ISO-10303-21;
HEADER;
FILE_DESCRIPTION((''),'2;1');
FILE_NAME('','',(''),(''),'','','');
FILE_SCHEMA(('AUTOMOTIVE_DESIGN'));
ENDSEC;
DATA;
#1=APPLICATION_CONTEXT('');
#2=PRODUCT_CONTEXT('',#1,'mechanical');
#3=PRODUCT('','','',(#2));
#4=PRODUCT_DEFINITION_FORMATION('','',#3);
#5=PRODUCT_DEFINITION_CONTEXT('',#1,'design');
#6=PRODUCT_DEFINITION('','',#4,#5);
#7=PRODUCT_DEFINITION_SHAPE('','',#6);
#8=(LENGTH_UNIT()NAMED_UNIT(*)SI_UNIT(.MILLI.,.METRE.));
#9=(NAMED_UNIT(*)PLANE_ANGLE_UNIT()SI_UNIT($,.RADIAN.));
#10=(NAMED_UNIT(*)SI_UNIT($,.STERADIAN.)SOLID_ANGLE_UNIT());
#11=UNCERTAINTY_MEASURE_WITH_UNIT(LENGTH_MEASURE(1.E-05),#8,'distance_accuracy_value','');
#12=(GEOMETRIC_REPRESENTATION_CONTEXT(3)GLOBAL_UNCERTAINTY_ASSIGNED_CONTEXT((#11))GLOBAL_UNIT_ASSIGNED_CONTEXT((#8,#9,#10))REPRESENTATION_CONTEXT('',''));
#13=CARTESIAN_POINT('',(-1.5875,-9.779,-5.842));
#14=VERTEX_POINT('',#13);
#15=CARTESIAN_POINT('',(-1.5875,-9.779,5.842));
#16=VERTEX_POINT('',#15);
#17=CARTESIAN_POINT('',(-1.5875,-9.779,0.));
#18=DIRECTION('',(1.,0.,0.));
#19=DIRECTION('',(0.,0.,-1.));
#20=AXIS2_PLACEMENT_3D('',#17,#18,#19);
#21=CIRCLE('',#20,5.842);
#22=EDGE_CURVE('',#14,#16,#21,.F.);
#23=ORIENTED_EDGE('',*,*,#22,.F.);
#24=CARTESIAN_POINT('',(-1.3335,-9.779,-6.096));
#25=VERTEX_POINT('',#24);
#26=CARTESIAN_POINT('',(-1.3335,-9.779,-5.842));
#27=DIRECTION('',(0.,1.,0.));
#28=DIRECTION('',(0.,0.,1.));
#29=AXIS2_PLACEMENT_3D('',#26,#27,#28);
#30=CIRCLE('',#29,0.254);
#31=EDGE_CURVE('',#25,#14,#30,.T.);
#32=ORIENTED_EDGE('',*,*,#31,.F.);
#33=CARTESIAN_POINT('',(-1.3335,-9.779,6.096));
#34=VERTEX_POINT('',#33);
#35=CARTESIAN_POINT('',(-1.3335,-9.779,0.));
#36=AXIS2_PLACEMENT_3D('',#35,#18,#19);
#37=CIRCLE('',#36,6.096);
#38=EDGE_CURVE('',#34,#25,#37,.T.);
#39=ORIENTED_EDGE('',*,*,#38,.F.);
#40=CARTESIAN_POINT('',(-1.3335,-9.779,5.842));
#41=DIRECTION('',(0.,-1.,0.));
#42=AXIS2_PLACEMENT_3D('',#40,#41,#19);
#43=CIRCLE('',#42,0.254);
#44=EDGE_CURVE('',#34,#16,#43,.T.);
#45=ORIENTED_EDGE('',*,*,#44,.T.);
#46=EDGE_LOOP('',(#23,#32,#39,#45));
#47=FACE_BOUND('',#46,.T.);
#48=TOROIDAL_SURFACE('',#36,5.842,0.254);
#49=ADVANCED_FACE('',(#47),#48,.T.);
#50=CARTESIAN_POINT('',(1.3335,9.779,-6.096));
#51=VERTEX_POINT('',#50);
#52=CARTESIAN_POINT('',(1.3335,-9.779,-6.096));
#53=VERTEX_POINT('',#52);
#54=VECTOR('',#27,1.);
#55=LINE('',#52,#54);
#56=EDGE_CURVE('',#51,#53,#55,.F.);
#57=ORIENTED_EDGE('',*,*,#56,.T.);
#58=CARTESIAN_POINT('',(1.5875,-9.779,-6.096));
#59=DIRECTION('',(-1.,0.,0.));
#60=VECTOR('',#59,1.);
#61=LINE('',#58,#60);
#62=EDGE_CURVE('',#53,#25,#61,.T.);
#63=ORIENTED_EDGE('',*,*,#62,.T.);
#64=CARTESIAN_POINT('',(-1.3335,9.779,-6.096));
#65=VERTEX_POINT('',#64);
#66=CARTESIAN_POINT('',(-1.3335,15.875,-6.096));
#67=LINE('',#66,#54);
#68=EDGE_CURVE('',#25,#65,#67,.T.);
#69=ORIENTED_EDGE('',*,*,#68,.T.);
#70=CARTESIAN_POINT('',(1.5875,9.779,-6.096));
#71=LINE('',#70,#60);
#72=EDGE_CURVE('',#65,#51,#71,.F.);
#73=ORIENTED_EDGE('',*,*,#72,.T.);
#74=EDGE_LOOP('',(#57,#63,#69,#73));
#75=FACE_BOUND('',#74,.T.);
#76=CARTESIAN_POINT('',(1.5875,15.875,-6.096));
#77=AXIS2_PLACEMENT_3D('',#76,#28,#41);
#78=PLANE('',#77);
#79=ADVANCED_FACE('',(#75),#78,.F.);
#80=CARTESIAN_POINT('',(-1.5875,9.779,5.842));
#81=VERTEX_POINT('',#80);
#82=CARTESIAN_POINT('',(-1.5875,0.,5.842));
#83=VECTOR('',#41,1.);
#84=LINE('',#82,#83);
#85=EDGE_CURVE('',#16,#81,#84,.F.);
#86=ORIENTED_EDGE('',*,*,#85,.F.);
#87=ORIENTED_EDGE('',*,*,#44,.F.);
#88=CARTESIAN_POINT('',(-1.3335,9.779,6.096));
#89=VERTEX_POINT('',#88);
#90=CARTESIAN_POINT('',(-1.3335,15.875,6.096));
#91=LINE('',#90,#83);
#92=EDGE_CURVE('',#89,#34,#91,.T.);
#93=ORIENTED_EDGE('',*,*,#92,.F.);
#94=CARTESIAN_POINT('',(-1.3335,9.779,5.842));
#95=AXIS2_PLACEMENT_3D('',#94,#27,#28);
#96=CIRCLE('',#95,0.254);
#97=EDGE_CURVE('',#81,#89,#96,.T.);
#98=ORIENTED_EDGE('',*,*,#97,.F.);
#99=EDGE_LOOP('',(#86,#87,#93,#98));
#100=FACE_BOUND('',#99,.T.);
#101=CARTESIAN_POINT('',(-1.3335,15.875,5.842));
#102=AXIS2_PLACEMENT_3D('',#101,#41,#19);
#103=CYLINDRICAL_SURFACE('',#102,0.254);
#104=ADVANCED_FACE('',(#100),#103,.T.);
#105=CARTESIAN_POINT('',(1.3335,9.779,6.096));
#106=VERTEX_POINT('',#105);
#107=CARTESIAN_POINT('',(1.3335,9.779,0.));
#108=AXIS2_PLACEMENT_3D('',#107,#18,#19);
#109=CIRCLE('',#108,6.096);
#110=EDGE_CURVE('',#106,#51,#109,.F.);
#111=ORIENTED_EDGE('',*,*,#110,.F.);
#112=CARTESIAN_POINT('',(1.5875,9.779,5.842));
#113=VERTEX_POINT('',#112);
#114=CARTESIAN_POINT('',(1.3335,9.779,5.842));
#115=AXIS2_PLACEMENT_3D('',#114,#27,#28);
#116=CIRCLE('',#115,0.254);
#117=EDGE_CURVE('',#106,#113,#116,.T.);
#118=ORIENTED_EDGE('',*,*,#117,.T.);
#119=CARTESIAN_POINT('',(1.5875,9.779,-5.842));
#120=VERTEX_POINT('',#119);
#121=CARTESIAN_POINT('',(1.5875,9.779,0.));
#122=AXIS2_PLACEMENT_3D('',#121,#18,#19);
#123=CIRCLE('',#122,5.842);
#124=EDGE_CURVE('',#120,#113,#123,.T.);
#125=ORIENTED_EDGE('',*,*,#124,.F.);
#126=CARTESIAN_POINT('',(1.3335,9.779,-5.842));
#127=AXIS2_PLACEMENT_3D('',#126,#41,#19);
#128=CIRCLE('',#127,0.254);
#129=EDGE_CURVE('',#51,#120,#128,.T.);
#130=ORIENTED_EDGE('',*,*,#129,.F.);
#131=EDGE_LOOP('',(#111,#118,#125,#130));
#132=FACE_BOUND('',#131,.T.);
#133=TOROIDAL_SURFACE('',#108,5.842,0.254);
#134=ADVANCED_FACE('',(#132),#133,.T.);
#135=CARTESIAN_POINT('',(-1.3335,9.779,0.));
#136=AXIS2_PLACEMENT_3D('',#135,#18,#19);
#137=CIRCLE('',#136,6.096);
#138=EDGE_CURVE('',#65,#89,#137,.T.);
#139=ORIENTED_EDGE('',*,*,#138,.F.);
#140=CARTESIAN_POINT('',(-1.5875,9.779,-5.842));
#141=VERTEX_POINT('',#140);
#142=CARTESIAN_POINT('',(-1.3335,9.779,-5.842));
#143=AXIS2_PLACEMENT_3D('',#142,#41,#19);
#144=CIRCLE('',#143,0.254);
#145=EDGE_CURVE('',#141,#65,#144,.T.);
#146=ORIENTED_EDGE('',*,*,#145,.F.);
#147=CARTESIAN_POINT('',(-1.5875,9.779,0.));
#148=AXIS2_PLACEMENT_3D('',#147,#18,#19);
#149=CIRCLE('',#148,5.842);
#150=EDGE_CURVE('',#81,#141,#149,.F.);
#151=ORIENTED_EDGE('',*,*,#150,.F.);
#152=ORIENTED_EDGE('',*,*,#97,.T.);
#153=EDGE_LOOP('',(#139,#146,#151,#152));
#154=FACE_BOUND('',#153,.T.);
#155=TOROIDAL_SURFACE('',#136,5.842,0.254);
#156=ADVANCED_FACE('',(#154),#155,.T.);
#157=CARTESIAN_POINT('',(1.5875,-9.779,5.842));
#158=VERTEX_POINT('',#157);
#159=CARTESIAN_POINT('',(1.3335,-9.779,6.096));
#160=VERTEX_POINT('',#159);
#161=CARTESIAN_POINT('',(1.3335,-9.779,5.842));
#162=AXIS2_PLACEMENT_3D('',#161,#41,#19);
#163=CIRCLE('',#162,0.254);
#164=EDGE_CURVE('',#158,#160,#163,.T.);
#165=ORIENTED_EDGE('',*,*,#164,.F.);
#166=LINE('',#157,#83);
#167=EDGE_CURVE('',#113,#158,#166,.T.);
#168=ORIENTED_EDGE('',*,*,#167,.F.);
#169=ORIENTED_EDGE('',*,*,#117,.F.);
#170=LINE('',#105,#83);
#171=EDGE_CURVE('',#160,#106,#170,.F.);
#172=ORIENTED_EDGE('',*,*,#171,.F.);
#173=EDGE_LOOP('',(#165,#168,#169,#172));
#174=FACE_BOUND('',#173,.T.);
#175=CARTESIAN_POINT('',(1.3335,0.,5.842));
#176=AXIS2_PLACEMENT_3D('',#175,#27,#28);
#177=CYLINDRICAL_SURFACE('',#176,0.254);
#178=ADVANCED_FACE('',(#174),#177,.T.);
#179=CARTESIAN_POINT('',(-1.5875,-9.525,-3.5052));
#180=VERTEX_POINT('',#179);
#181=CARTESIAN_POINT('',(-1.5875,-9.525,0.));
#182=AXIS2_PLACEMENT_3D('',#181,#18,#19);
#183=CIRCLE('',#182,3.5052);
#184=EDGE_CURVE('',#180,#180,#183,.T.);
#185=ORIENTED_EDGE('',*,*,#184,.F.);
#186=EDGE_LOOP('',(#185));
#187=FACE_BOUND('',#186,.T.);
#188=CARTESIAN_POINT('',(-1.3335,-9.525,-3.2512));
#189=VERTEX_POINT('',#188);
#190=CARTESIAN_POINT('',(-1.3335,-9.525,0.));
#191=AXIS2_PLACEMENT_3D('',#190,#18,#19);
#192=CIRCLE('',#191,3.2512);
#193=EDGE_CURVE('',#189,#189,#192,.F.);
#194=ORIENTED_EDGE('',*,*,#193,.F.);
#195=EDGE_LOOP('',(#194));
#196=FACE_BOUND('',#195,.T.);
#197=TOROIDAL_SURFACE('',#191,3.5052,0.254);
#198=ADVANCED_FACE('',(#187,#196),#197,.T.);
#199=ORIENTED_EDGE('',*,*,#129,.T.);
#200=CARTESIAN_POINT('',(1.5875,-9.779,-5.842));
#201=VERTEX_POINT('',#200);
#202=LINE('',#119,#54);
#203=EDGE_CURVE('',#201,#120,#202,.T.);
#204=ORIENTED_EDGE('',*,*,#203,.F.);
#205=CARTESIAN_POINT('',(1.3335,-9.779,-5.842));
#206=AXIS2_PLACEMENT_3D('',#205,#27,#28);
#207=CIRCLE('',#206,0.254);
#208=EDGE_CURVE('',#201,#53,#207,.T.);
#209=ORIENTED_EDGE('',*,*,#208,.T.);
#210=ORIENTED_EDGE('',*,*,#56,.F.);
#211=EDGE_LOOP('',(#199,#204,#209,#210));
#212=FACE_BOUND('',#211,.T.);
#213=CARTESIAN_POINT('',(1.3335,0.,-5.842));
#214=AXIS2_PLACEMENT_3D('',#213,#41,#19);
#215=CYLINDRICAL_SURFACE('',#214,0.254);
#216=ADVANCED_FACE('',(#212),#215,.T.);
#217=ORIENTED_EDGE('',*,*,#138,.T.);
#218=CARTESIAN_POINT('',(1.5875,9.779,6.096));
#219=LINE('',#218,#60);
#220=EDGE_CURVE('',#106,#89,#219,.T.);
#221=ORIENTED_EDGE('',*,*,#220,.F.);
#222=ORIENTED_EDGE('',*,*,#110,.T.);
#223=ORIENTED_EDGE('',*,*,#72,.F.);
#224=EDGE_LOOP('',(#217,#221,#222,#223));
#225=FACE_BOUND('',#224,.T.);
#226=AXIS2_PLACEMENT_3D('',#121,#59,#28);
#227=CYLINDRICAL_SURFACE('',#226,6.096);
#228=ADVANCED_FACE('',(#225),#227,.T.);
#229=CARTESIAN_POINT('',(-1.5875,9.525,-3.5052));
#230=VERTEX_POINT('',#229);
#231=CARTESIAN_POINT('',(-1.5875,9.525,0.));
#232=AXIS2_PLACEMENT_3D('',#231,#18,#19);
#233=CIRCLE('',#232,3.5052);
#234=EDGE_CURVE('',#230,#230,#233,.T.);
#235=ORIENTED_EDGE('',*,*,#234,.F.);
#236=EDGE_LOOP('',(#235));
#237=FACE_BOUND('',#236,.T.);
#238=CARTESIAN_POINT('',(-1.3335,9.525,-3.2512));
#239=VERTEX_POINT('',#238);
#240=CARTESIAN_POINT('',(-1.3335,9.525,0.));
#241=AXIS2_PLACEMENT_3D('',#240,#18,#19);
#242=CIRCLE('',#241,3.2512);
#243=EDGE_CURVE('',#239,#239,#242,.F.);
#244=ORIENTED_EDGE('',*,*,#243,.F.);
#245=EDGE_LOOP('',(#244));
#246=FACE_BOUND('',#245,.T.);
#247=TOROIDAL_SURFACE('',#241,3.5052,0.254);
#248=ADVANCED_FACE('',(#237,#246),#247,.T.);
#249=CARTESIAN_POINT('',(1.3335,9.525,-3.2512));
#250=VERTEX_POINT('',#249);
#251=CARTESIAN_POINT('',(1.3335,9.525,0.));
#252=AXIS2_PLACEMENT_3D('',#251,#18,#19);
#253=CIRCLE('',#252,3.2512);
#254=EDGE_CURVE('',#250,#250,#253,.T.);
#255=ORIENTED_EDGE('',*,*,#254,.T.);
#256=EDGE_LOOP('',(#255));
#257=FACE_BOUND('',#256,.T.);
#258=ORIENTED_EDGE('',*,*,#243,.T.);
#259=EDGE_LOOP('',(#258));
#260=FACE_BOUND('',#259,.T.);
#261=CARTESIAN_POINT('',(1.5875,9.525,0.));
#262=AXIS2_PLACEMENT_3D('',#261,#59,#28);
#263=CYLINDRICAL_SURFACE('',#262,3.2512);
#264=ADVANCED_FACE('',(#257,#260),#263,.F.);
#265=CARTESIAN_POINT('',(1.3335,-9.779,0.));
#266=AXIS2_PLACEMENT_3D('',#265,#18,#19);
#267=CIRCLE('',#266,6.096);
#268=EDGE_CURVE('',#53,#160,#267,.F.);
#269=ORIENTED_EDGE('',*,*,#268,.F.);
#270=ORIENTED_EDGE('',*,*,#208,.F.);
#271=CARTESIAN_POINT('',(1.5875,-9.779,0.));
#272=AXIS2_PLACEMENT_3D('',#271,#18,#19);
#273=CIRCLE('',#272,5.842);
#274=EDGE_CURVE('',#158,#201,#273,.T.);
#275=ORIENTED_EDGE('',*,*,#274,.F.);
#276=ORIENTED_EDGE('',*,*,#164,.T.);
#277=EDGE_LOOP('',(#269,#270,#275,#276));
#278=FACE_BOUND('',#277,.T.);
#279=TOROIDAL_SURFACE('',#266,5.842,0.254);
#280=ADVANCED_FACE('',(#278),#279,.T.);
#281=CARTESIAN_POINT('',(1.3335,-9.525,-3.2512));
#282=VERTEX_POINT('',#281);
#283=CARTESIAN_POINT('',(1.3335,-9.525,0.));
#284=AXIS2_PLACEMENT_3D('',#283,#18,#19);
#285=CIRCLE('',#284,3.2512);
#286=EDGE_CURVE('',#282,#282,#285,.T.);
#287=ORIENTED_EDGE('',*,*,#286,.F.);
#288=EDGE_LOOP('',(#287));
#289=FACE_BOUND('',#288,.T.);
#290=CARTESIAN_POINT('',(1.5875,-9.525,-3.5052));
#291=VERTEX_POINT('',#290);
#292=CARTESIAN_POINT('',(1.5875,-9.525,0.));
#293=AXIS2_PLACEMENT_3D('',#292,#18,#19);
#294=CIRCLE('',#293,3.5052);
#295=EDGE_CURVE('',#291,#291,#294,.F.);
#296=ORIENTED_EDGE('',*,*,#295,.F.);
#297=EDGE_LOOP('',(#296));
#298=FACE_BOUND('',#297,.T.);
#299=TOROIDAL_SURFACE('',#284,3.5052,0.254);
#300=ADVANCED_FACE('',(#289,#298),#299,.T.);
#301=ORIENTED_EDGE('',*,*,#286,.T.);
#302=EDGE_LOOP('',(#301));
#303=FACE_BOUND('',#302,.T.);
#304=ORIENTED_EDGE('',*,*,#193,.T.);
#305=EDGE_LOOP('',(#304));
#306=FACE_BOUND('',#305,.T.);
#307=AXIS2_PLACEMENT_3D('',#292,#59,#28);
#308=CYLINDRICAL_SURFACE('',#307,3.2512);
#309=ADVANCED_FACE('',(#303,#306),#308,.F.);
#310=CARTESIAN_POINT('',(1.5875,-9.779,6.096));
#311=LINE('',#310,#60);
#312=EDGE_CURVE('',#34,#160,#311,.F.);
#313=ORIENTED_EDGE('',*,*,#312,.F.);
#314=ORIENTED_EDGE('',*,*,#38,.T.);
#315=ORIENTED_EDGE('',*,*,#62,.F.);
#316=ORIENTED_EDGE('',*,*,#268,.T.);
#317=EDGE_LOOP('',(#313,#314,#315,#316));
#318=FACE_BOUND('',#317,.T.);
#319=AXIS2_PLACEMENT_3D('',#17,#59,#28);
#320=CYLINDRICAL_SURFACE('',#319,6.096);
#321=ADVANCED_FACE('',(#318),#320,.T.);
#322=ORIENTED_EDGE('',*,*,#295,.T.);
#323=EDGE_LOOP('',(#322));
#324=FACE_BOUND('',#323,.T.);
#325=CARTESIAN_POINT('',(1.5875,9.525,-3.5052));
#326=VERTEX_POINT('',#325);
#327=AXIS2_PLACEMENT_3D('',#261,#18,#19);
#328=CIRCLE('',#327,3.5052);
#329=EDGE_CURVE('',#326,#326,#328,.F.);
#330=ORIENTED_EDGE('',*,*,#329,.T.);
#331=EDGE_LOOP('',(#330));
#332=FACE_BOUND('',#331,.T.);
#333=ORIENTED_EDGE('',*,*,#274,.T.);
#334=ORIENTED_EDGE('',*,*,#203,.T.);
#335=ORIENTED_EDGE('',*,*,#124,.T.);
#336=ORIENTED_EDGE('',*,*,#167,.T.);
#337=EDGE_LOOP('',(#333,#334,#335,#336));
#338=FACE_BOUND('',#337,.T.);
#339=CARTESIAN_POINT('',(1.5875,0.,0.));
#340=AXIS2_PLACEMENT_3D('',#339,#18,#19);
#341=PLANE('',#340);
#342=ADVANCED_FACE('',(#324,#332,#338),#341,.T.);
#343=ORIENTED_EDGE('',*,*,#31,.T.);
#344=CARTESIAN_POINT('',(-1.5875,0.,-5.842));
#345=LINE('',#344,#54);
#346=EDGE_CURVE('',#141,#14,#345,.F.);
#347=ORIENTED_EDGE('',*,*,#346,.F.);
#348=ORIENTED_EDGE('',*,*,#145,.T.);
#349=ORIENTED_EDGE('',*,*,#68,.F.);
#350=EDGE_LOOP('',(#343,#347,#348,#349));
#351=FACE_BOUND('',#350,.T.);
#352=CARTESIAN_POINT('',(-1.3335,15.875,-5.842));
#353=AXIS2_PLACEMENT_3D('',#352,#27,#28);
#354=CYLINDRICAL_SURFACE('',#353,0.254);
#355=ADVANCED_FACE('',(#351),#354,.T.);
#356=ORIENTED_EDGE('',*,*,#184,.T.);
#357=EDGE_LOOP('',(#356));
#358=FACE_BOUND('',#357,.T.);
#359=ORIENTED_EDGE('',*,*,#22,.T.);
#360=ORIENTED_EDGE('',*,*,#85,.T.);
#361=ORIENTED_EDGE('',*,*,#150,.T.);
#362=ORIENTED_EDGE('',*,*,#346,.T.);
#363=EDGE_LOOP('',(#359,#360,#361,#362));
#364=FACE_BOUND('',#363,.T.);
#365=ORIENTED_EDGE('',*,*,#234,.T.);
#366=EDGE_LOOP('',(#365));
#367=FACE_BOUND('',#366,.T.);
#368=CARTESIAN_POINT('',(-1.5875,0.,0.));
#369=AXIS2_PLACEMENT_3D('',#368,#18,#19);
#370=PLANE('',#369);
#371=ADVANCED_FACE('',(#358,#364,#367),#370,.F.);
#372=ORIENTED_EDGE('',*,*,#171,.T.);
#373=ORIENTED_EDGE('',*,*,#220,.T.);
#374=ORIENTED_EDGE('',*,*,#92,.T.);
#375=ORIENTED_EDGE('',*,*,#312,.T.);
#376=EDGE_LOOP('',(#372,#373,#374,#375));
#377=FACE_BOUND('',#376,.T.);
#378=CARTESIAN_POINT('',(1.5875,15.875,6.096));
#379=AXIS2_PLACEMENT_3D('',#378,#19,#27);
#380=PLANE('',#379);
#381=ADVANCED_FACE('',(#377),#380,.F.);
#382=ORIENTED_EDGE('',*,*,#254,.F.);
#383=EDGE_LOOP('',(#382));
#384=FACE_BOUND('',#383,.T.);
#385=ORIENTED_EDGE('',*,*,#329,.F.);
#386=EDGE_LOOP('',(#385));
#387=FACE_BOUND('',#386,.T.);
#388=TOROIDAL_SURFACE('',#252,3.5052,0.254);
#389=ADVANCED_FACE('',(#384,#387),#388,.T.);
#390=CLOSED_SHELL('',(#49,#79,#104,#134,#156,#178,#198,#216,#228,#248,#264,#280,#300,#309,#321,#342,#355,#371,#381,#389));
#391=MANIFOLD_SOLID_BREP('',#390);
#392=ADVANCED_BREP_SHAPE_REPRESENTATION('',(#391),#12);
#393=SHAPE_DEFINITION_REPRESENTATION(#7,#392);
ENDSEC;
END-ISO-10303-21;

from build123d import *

# Parameters (mm, degrees)
SKETCH1_W           = 12.192
SKETCH1_H           = 31.75
SKETCH1_R           = 3.2512
BOSS_EXTRUDE1_DEPTH = 1.5875
FILLET1_RADIUS      = 6.096
FILLET1_LENGTH      = 3.175
FILLET2_RADIUS      = 6.096
FILLET2_LENGTH      = 3.175
FILLET3_R           = 0.254


with BuildPart() as part:
    # Sketch1 → Boss-Extrude1 (new, symmetric)
    with BuildSketch(Plane(origin=(0, 0, 0), x_dir=(0, 0, -1), z_dir=(1, 0, 0))):
        Rectangle(SKETCH1_W, SKETCH1_H)
        with Locations((0, 9.525)):
            Circle(SKETCH1_R, mode=Mode.SUBTRACT)
        with Locations((0, -9.525)):
            Circle(SKETCH1_R, mode=Mode.SUBTRACT)
    extrude(amount=BOSS_EXTRUDE1_DEPTH, both=True)

    # Fillet1: full round fillet: the end face becomes a half cylinder, R = half its width
    fillet1_face = Plane((0, 15.875, 0), x_dir=(1, 0, 0), z_dir=(0, 1, 0))  # on the end face: x along it, z out of the body
    fillet1_slab = fillet1_face.offset(-FILLET1_RADIUS / 2) * Box(FILLET1_LENGTH, 2 * FILLET1_RADIUS, FILLET1_RADIUS, mode=Mode.PRIVATE)  # the body's end, R deep
    fillet1_round = Plane((0, 9.779, 0), x_dir=(0, 1, 0), z_dir=(1, 0, 0)) * Cylinder(FILLET1_RADIUS, FILLET1_LENGTH, mode=Mode.PRIVATE)  # its axis R under the face
    add(fillet1_slab - fillet1_round, mode=Mode.SUBTRACT)

    # Fillet2: full round fillet: the end face becomes a half cylinder, R = half its width
    fillet2_face = Plane((0, -15.875, 0), x_dir=(1, 0, 0), z_dir=(0, -1, 0))  # on the end face: x along it, z out of the body
    fillet2_slab = fillet2_face.offset(-FILLET2_RADIUS / 2) * Box(FILLET2_LENGTH, 2 * FILLET2_RADIUS, FILLET2_RADIUS, mode=Mode.PRIVATE)  # the body's end, R deep
    fillet2_round = Plane((0, -9.779, 0), x_dir=(0, -1, 0), z_dir=(1, 0, 0)) * Cylinder(FILLET2_RADIUS, FILLET2_LENGTH, mode=Mode.PRIVATE)  # its axis R under the face
    add(fillet2_slab - fillet2_round, mode=Mode.SUBTRACT)

    # Fillet3
    fillet3_edges = [part.edges().sort_by_distance(p)[0] for p in [
        (-1.5875, 9.525, 3.2512),
        (1.5875, 9.525, 3.2512),
        (-1.5875, -9.525, 3.2512),
        (1.5875, -9.525, 3.2512),
        (-1.5875, 0, 6.096),
        (1.5875, 0, 6.096),
        (1.5875, 15.875, 0),
        (-1.5875, 15.875, 0),
        (-1.5875, 0, -6.096),
        (1.5875, 0, -6.096),
        (-1.5875, -15.875, 0),
        (1.5875, -15.875, 0),
    ]]
    fillet(fillet3_edges, radius=FILLET3_R)


solid = part.part
